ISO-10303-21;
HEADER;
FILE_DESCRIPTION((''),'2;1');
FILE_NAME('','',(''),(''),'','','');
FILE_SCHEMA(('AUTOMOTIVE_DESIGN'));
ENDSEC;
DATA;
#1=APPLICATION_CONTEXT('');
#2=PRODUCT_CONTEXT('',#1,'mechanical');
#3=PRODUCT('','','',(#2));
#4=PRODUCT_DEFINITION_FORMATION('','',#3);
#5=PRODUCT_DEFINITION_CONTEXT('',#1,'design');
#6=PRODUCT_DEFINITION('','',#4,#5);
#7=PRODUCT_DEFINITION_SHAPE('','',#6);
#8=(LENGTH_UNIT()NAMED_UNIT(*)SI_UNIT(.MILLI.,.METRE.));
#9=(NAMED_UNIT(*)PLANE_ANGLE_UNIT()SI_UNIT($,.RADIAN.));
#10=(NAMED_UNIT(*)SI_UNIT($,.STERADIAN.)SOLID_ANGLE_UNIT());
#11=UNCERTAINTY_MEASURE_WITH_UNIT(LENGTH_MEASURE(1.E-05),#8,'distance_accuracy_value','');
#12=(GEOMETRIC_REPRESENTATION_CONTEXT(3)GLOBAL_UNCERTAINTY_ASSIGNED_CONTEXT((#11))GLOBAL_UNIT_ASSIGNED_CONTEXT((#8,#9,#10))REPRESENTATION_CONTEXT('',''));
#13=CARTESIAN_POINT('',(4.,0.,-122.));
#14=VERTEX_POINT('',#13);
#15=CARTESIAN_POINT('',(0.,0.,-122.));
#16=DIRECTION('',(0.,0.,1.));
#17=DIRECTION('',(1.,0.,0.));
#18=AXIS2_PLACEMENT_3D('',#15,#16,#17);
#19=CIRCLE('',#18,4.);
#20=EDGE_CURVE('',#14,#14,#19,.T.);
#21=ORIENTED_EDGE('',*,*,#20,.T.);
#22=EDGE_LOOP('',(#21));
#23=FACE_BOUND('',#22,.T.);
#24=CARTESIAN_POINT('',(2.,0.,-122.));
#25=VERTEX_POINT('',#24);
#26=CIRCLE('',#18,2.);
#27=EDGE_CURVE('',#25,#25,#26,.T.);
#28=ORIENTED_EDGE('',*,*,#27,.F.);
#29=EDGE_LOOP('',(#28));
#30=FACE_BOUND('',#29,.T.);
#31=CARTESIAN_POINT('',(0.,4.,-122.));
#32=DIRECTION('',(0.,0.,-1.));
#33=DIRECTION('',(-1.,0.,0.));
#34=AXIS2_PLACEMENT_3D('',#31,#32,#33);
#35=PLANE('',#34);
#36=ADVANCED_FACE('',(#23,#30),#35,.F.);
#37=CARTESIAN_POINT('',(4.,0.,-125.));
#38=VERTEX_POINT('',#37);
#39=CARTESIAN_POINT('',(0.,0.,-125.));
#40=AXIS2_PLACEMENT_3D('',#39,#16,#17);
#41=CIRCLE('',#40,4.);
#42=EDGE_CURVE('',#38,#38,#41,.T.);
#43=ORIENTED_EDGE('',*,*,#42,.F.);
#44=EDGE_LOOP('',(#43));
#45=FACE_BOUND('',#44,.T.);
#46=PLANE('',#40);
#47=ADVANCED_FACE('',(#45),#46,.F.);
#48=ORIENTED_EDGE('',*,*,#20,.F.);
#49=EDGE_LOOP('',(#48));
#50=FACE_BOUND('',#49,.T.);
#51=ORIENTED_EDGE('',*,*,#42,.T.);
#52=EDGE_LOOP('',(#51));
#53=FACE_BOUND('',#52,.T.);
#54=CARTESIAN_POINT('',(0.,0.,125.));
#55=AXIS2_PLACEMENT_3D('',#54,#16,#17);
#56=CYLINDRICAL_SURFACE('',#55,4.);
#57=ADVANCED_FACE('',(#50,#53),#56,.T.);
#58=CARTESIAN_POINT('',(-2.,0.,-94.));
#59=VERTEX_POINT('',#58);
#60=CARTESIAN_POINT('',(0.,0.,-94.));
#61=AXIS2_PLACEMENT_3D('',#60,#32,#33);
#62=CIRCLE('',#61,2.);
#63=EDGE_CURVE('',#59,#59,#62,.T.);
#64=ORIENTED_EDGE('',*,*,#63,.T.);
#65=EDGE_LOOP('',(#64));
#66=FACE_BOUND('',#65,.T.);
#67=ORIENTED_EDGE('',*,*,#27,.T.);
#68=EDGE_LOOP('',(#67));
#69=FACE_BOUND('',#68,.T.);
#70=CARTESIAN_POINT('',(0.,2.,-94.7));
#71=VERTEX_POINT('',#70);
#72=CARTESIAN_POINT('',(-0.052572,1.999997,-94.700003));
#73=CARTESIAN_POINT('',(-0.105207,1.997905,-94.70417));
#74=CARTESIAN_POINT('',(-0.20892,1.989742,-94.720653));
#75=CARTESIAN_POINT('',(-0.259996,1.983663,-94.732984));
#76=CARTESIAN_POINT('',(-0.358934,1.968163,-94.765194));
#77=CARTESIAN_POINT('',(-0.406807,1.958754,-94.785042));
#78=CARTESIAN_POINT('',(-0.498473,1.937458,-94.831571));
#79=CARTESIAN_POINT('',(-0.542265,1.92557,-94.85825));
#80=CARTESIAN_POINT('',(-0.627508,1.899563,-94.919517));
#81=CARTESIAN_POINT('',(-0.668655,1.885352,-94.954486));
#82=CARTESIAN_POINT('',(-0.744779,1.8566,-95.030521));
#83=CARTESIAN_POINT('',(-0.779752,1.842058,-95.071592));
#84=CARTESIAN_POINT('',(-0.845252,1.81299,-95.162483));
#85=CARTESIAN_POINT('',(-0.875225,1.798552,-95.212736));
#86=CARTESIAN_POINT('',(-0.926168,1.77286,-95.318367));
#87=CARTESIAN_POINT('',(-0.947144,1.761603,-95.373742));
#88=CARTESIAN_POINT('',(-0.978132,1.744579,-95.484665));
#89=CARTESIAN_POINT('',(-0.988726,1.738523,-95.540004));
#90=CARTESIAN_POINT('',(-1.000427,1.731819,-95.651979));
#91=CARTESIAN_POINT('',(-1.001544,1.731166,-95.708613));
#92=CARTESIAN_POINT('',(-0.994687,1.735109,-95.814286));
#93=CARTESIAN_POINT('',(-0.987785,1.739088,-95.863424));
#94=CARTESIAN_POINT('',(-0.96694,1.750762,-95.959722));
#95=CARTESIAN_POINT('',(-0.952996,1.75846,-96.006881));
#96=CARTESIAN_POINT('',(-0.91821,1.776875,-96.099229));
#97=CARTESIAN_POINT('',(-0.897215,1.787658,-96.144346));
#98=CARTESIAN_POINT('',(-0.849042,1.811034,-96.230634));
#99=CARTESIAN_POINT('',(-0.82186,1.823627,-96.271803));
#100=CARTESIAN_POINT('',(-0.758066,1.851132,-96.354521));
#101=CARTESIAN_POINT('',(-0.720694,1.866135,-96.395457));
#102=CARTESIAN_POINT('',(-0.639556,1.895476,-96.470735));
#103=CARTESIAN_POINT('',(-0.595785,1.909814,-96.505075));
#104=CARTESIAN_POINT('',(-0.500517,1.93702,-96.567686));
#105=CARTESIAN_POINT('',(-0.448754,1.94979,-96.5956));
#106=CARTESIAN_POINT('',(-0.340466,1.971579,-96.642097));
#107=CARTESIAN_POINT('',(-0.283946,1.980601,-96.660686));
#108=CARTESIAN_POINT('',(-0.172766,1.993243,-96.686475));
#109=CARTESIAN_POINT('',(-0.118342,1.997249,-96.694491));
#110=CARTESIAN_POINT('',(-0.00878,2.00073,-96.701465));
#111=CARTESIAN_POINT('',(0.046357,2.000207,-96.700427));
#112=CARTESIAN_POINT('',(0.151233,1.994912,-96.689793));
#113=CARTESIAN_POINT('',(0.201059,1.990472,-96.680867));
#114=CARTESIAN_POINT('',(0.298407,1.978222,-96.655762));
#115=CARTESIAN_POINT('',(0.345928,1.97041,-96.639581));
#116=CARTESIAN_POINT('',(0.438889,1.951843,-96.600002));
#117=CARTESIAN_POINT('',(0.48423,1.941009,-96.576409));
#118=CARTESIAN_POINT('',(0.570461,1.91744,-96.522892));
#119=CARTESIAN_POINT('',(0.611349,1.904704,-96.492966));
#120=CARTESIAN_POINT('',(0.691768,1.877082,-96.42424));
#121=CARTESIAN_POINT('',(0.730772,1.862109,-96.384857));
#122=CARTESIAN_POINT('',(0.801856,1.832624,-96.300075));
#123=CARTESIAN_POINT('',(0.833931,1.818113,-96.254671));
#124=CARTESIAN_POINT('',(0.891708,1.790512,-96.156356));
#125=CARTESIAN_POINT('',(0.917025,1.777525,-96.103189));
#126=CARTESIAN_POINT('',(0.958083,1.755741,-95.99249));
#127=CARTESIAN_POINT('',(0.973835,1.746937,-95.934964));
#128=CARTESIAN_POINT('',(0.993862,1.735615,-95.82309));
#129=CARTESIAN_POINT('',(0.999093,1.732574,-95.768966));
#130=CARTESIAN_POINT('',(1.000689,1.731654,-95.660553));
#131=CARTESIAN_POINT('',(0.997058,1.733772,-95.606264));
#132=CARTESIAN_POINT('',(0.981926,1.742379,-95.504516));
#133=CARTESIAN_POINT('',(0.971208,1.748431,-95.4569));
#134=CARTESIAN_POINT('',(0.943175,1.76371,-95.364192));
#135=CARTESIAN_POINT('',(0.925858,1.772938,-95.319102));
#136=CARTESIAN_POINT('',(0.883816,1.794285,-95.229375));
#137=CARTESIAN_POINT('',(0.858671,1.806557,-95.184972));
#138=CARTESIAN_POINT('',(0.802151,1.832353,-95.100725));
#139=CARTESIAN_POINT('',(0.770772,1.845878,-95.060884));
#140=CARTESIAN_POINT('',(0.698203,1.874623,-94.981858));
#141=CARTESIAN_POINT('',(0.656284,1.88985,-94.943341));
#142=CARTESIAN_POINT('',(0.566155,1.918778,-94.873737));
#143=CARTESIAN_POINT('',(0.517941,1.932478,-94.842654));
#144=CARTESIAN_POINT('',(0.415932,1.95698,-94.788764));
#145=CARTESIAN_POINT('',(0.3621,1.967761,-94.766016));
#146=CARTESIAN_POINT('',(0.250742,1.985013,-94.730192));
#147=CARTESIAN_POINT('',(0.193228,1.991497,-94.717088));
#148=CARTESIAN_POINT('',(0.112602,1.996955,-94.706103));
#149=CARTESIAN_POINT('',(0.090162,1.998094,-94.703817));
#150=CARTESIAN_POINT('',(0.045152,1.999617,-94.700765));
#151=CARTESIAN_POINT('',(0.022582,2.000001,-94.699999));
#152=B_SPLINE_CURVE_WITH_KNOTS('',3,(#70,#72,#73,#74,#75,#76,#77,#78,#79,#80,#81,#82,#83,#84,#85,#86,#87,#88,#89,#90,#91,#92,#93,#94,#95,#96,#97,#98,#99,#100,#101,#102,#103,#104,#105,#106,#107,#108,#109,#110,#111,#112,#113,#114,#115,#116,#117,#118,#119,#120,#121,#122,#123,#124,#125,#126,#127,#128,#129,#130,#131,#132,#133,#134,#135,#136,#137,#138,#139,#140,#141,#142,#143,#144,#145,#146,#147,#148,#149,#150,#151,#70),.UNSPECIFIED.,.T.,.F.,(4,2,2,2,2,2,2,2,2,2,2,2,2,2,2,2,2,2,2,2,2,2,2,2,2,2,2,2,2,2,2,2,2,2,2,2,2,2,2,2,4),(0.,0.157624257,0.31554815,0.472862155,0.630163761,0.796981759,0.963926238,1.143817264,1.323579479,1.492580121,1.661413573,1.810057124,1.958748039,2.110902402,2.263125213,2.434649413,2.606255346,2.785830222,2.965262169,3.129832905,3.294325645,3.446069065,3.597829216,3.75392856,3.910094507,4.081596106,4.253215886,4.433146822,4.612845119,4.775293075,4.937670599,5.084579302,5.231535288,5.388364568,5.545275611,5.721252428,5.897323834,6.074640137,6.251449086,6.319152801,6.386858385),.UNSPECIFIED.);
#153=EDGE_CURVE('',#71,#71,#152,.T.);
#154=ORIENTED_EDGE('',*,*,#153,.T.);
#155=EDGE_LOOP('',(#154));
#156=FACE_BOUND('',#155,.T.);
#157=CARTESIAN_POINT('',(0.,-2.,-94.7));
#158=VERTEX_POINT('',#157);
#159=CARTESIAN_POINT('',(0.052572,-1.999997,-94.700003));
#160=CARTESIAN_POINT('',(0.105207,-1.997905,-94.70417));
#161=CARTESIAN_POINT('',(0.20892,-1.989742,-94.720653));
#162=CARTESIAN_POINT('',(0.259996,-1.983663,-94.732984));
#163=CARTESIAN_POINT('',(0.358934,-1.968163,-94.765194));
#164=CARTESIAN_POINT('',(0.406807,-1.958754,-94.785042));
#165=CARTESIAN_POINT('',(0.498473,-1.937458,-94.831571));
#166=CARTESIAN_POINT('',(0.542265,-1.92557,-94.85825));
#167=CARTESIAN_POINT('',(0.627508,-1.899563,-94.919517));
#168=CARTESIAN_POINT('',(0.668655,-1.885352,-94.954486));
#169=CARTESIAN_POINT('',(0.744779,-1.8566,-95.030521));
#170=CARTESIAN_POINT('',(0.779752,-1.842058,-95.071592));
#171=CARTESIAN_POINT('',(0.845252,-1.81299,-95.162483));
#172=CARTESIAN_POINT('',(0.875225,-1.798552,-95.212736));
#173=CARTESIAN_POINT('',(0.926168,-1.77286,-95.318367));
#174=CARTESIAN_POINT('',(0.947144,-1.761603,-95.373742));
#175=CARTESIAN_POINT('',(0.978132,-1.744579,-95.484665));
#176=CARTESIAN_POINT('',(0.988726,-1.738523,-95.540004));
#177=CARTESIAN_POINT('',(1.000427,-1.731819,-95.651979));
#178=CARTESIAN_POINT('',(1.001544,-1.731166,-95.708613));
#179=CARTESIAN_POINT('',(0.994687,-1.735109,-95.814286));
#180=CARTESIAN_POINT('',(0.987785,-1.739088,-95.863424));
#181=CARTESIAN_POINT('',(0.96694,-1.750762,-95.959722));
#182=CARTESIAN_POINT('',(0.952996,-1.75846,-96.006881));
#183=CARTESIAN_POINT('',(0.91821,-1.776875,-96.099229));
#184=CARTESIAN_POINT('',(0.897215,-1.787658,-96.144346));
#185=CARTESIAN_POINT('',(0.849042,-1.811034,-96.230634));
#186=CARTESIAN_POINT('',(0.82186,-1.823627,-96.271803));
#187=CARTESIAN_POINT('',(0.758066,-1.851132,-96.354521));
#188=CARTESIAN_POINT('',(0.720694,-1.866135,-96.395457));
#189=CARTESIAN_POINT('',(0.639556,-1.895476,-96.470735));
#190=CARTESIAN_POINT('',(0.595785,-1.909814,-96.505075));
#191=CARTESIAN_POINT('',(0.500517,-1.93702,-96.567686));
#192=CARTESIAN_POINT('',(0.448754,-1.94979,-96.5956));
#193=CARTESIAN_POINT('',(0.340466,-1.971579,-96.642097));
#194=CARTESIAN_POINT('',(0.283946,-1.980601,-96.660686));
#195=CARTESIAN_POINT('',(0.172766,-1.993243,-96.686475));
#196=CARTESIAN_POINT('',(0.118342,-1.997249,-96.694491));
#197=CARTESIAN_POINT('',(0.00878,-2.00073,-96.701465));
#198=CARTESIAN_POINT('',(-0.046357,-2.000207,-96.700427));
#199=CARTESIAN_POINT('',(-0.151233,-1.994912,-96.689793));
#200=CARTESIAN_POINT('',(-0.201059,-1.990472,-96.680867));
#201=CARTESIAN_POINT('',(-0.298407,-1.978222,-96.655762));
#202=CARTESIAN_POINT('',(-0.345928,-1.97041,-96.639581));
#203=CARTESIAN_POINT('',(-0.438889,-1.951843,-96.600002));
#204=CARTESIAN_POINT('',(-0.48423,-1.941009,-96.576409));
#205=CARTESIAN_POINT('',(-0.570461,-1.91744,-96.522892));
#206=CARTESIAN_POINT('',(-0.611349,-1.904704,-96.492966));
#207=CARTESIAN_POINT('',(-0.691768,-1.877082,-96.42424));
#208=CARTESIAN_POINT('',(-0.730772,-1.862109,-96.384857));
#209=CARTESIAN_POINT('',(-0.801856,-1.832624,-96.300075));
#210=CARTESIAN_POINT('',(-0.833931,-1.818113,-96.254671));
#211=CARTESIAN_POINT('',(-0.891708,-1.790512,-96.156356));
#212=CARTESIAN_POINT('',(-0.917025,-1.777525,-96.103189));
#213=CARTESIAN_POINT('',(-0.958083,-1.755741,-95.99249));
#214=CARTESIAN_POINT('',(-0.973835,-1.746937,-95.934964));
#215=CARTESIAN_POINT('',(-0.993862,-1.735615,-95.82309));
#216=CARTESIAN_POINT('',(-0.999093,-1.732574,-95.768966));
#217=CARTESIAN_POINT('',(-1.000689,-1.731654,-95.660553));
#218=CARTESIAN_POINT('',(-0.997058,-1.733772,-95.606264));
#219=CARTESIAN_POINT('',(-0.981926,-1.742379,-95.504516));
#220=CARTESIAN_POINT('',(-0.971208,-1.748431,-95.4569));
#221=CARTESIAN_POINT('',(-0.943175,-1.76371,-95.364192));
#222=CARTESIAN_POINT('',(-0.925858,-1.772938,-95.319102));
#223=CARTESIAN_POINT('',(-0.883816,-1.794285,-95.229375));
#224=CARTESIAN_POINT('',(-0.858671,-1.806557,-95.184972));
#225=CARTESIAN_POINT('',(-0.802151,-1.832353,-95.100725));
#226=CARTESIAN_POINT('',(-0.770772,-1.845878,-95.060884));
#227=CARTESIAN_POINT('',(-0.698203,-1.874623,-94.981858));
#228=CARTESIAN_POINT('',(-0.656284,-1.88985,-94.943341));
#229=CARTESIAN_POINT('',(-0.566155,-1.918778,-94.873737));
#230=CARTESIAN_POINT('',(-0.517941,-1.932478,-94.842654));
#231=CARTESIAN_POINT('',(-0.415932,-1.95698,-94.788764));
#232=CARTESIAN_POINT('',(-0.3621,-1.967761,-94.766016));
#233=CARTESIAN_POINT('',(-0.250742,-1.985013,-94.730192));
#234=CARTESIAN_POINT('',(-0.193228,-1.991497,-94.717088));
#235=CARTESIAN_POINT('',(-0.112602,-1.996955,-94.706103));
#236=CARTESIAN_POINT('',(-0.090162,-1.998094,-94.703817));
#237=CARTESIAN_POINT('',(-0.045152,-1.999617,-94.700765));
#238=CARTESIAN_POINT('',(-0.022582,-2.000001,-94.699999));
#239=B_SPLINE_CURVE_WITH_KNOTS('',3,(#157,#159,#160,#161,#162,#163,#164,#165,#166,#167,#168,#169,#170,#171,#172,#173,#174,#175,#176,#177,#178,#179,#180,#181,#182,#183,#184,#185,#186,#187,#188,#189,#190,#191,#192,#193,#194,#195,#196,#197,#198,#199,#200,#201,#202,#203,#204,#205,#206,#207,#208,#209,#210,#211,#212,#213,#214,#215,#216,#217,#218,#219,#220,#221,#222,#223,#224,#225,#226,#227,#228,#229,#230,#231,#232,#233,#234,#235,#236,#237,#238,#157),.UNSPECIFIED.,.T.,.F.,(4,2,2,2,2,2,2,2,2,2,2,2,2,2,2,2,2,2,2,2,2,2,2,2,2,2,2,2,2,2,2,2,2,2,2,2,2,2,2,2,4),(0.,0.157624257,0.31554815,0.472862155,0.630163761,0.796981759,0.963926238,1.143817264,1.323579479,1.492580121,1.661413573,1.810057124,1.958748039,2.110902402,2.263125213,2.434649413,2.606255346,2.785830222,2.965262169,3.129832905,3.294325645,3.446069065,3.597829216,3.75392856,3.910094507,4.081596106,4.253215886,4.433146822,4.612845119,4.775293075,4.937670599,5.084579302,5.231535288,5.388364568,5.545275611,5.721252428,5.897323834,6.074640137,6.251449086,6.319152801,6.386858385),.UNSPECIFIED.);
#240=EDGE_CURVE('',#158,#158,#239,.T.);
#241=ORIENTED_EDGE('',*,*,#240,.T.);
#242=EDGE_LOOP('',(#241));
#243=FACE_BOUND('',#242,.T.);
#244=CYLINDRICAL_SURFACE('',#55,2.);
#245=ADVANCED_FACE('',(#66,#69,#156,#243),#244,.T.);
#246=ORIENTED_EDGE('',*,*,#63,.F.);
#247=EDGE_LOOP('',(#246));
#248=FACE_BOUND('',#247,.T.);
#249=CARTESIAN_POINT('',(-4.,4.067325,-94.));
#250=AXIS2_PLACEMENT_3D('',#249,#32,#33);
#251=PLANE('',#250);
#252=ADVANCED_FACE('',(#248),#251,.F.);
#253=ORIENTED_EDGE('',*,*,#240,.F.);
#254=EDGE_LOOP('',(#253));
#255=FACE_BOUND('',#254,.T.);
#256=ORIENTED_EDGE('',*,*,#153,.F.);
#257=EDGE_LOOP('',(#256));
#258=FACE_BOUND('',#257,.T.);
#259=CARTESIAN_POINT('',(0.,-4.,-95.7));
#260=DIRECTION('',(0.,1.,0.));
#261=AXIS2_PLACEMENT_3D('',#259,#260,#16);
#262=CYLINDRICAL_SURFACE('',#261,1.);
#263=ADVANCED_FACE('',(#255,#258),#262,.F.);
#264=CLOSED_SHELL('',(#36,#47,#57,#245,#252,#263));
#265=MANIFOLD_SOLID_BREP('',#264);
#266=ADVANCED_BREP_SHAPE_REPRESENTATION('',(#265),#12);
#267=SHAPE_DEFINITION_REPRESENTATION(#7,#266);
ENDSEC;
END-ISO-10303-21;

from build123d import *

# Parameters (mm, degrees)
SKETCH3_W               = 300
SKETCH3_H               = 7.83336639
CUT_EXTRUDE1_DEPTH      = 5
CUT_EXTRUDE1_DEPTH_BACK = 5
SKETCH4_R               = 1
CUT_EXTRUDE2_DEPTH      = 5
CUT_EXTRUDE2_DEPTH_BACK = 5


with BuildPart() as part:
    # Sketch2 → Revolve1 (revolve)
    with BuildSketch(Plane(origin=(0, 0, 0), x_dir=(0, 0, -1), z_dir=(1, 0, 0))):
        Polygon((125, 0), (125, 4), (122, 4), (122, 2), (-125, 2), (-125, 0), align=None)
    revolve(axis=Axis((0, 0, 125), (0, 0, -1)))

    # Sketch3 → Cut-Extrude1 (cut, two sides)
    with BuildSketch(Plane(origin=(0, 0, 0), x_dir=(0, 0, -1), z_dir=(1, 0, 0))) as cut_extrude1_sk:
        with Locations((-56, 0.150641661)):
            Rectangle(SKETCH3_W, SKETCH3_H)
    extrude(amount=CUT_EXTRUDE1_DEPTH, mode=Mode.SUBTRACT)
    extrude(cut_extrude1_sk.sketch, amount=-CUT_EXTRUDE1_DEPTH_BACK, mode=Mode.SUBTRACT)

    # Sketch4 → Cut-Extrude2 (cut, two sides)
    with BuildSketch(Plane(origin=(0, 0, 0), x_dir=(1, 0, 0), z_dir=(0, 1, 0))) as cut_extrude2_sk:
        with Locations((0, 95.7)):
            Circle(SKETCH4_R)
    extrude(amount=CUT_EXTRUDE2_DEPTH, mode=Mode.SUBTRACT)
    extrude(cut_extrude2_sk.sketch, amount=-CUT_EXTRUDE2_DEPTH_BACK, mode=Mode.SUBTRACT)


solid = part.part
